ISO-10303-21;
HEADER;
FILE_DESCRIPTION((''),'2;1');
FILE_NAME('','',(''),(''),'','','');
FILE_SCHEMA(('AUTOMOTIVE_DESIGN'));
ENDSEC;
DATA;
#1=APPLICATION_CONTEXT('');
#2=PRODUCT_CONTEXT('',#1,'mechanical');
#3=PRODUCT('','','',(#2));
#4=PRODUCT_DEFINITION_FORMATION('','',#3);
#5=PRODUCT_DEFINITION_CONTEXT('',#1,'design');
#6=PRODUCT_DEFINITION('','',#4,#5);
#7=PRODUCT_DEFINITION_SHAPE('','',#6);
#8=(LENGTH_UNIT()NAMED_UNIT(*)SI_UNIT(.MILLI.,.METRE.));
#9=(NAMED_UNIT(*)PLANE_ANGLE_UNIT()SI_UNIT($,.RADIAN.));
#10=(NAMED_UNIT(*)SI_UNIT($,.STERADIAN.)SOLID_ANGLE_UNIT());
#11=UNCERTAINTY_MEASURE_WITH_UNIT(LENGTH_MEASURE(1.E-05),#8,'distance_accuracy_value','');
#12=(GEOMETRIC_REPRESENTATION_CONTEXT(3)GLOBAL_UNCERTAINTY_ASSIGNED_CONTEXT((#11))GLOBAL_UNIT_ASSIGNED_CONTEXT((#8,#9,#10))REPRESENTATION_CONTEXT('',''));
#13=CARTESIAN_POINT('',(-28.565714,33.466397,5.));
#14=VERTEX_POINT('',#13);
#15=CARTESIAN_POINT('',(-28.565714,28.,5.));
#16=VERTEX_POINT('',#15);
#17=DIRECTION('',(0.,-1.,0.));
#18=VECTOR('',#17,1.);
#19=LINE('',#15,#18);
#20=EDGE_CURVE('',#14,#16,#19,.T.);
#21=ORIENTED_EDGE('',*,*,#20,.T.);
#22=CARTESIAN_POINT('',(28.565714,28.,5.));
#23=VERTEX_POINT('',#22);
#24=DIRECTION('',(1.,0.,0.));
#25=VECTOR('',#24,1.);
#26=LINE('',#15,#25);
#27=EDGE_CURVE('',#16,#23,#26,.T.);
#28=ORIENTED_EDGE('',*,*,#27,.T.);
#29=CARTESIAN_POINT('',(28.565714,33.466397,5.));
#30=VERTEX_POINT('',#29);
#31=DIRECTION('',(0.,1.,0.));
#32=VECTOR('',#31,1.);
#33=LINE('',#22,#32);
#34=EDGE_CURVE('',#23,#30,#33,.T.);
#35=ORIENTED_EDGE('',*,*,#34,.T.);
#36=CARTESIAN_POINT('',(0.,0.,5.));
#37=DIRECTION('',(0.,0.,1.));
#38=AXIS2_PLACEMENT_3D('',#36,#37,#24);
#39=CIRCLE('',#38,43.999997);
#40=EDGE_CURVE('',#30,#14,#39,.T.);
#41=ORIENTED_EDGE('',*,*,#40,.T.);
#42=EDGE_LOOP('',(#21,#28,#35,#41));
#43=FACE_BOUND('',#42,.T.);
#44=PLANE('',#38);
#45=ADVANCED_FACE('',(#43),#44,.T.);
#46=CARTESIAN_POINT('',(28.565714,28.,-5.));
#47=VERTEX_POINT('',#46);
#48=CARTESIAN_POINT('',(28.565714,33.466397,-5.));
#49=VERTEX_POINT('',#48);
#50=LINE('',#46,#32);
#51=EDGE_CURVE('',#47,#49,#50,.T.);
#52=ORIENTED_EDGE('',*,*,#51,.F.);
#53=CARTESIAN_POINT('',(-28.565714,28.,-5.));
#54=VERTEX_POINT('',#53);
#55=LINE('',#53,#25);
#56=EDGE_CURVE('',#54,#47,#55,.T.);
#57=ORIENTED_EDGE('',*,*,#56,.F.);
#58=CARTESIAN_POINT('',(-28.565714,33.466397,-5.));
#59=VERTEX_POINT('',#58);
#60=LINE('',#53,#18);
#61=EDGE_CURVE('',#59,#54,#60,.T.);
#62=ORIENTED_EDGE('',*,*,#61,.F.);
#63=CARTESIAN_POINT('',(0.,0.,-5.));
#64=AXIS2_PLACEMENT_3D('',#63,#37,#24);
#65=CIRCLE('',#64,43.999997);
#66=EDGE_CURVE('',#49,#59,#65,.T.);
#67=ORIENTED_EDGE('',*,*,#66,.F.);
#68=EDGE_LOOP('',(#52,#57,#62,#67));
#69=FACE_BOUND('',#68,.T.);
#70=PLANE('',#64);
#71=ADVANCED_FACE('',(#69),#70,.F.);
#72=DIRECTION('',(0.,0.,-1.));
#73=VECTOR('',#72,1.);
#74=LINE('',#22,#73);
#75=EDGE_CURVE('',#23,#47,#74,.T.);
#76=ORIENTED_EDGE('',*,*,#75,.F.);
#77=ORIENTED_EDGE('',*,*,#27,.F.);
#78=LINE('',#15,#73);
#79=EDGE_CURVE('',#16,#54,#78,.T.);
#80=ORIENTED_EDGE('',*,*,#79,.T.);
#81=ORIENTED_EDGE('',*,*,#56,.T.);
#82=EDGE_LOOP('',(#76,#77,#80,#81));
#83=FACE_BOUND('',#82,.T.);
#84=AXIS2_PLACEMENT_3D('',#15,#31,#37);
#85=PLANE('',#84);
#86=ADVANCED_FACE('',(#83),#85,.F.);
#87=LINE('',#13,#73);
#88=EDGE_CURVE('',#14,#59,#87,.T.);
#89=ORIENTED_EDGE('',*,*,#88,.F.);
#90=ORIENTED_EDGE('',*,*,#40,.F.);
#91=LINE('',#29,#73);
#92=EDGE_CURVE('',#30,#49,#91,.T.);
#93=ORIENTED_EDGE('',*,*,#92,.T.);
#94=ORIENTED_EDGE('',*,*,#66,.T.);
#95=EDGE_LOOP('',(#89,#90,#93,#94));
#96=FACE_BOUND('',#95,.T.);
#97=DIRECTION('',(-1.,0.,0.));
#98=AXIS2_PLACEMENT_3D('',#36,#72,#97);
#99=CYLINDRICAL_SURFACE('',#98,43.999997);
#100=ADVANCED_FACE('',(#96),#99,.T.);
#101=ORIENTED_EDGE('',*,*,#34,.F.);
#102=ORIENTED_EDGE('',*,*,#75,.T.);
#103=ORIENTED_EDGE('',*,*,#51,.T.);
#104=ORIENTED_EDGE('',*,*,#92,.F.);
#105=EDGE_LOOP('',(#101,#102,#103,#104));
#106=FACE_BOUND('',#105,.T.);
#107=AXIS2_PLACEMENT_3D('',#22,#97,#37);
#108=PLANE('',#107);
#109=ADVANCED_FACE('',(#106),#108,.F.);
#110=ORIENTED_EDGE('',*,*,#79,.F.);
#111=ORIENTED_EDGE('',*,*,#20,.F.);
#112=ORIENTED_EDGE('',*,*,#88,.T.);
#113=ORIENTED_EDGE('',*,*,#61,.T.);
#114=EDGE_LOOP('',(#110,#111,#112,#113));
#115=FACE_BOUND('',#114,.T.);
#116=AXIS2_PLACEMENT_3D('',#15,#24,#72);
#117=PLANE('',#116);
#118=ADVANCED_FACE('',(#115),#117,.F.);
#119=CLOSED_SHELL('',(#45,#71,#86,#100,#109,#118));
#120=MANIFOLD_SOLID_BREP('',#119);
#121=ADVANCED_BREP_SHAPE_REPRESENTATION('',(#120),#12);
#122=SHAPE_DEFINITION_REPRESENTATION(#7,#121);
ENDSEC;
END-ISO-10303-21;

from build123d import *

# Parameters (mm, degrees)
SALIENTE_EXTRUIR1_DEPTH = 5


with BuildPart() as part:
    # Croquis2 → Saliente-Extruir1 (new body, symmetric)
    with BuildSketch(Plane.XY):
        with BuildLine():
            Line((28.565713714, 28), (28.565713714, 33.466397358))
            ThreePointArc((28.565713714, 33.466397358), (0, 43.999997184), (-28.565713714, 33.466397358))
            Line((-28.565713714, 33.466397358), (-28.565713714, 28))
            Line((-28.565713714, 28), (28.565713714, 28))
        make_face()
    extrude(amount=SALIENTE_EXTRUIR1_DEPTH, both=True)


solid = part.part
